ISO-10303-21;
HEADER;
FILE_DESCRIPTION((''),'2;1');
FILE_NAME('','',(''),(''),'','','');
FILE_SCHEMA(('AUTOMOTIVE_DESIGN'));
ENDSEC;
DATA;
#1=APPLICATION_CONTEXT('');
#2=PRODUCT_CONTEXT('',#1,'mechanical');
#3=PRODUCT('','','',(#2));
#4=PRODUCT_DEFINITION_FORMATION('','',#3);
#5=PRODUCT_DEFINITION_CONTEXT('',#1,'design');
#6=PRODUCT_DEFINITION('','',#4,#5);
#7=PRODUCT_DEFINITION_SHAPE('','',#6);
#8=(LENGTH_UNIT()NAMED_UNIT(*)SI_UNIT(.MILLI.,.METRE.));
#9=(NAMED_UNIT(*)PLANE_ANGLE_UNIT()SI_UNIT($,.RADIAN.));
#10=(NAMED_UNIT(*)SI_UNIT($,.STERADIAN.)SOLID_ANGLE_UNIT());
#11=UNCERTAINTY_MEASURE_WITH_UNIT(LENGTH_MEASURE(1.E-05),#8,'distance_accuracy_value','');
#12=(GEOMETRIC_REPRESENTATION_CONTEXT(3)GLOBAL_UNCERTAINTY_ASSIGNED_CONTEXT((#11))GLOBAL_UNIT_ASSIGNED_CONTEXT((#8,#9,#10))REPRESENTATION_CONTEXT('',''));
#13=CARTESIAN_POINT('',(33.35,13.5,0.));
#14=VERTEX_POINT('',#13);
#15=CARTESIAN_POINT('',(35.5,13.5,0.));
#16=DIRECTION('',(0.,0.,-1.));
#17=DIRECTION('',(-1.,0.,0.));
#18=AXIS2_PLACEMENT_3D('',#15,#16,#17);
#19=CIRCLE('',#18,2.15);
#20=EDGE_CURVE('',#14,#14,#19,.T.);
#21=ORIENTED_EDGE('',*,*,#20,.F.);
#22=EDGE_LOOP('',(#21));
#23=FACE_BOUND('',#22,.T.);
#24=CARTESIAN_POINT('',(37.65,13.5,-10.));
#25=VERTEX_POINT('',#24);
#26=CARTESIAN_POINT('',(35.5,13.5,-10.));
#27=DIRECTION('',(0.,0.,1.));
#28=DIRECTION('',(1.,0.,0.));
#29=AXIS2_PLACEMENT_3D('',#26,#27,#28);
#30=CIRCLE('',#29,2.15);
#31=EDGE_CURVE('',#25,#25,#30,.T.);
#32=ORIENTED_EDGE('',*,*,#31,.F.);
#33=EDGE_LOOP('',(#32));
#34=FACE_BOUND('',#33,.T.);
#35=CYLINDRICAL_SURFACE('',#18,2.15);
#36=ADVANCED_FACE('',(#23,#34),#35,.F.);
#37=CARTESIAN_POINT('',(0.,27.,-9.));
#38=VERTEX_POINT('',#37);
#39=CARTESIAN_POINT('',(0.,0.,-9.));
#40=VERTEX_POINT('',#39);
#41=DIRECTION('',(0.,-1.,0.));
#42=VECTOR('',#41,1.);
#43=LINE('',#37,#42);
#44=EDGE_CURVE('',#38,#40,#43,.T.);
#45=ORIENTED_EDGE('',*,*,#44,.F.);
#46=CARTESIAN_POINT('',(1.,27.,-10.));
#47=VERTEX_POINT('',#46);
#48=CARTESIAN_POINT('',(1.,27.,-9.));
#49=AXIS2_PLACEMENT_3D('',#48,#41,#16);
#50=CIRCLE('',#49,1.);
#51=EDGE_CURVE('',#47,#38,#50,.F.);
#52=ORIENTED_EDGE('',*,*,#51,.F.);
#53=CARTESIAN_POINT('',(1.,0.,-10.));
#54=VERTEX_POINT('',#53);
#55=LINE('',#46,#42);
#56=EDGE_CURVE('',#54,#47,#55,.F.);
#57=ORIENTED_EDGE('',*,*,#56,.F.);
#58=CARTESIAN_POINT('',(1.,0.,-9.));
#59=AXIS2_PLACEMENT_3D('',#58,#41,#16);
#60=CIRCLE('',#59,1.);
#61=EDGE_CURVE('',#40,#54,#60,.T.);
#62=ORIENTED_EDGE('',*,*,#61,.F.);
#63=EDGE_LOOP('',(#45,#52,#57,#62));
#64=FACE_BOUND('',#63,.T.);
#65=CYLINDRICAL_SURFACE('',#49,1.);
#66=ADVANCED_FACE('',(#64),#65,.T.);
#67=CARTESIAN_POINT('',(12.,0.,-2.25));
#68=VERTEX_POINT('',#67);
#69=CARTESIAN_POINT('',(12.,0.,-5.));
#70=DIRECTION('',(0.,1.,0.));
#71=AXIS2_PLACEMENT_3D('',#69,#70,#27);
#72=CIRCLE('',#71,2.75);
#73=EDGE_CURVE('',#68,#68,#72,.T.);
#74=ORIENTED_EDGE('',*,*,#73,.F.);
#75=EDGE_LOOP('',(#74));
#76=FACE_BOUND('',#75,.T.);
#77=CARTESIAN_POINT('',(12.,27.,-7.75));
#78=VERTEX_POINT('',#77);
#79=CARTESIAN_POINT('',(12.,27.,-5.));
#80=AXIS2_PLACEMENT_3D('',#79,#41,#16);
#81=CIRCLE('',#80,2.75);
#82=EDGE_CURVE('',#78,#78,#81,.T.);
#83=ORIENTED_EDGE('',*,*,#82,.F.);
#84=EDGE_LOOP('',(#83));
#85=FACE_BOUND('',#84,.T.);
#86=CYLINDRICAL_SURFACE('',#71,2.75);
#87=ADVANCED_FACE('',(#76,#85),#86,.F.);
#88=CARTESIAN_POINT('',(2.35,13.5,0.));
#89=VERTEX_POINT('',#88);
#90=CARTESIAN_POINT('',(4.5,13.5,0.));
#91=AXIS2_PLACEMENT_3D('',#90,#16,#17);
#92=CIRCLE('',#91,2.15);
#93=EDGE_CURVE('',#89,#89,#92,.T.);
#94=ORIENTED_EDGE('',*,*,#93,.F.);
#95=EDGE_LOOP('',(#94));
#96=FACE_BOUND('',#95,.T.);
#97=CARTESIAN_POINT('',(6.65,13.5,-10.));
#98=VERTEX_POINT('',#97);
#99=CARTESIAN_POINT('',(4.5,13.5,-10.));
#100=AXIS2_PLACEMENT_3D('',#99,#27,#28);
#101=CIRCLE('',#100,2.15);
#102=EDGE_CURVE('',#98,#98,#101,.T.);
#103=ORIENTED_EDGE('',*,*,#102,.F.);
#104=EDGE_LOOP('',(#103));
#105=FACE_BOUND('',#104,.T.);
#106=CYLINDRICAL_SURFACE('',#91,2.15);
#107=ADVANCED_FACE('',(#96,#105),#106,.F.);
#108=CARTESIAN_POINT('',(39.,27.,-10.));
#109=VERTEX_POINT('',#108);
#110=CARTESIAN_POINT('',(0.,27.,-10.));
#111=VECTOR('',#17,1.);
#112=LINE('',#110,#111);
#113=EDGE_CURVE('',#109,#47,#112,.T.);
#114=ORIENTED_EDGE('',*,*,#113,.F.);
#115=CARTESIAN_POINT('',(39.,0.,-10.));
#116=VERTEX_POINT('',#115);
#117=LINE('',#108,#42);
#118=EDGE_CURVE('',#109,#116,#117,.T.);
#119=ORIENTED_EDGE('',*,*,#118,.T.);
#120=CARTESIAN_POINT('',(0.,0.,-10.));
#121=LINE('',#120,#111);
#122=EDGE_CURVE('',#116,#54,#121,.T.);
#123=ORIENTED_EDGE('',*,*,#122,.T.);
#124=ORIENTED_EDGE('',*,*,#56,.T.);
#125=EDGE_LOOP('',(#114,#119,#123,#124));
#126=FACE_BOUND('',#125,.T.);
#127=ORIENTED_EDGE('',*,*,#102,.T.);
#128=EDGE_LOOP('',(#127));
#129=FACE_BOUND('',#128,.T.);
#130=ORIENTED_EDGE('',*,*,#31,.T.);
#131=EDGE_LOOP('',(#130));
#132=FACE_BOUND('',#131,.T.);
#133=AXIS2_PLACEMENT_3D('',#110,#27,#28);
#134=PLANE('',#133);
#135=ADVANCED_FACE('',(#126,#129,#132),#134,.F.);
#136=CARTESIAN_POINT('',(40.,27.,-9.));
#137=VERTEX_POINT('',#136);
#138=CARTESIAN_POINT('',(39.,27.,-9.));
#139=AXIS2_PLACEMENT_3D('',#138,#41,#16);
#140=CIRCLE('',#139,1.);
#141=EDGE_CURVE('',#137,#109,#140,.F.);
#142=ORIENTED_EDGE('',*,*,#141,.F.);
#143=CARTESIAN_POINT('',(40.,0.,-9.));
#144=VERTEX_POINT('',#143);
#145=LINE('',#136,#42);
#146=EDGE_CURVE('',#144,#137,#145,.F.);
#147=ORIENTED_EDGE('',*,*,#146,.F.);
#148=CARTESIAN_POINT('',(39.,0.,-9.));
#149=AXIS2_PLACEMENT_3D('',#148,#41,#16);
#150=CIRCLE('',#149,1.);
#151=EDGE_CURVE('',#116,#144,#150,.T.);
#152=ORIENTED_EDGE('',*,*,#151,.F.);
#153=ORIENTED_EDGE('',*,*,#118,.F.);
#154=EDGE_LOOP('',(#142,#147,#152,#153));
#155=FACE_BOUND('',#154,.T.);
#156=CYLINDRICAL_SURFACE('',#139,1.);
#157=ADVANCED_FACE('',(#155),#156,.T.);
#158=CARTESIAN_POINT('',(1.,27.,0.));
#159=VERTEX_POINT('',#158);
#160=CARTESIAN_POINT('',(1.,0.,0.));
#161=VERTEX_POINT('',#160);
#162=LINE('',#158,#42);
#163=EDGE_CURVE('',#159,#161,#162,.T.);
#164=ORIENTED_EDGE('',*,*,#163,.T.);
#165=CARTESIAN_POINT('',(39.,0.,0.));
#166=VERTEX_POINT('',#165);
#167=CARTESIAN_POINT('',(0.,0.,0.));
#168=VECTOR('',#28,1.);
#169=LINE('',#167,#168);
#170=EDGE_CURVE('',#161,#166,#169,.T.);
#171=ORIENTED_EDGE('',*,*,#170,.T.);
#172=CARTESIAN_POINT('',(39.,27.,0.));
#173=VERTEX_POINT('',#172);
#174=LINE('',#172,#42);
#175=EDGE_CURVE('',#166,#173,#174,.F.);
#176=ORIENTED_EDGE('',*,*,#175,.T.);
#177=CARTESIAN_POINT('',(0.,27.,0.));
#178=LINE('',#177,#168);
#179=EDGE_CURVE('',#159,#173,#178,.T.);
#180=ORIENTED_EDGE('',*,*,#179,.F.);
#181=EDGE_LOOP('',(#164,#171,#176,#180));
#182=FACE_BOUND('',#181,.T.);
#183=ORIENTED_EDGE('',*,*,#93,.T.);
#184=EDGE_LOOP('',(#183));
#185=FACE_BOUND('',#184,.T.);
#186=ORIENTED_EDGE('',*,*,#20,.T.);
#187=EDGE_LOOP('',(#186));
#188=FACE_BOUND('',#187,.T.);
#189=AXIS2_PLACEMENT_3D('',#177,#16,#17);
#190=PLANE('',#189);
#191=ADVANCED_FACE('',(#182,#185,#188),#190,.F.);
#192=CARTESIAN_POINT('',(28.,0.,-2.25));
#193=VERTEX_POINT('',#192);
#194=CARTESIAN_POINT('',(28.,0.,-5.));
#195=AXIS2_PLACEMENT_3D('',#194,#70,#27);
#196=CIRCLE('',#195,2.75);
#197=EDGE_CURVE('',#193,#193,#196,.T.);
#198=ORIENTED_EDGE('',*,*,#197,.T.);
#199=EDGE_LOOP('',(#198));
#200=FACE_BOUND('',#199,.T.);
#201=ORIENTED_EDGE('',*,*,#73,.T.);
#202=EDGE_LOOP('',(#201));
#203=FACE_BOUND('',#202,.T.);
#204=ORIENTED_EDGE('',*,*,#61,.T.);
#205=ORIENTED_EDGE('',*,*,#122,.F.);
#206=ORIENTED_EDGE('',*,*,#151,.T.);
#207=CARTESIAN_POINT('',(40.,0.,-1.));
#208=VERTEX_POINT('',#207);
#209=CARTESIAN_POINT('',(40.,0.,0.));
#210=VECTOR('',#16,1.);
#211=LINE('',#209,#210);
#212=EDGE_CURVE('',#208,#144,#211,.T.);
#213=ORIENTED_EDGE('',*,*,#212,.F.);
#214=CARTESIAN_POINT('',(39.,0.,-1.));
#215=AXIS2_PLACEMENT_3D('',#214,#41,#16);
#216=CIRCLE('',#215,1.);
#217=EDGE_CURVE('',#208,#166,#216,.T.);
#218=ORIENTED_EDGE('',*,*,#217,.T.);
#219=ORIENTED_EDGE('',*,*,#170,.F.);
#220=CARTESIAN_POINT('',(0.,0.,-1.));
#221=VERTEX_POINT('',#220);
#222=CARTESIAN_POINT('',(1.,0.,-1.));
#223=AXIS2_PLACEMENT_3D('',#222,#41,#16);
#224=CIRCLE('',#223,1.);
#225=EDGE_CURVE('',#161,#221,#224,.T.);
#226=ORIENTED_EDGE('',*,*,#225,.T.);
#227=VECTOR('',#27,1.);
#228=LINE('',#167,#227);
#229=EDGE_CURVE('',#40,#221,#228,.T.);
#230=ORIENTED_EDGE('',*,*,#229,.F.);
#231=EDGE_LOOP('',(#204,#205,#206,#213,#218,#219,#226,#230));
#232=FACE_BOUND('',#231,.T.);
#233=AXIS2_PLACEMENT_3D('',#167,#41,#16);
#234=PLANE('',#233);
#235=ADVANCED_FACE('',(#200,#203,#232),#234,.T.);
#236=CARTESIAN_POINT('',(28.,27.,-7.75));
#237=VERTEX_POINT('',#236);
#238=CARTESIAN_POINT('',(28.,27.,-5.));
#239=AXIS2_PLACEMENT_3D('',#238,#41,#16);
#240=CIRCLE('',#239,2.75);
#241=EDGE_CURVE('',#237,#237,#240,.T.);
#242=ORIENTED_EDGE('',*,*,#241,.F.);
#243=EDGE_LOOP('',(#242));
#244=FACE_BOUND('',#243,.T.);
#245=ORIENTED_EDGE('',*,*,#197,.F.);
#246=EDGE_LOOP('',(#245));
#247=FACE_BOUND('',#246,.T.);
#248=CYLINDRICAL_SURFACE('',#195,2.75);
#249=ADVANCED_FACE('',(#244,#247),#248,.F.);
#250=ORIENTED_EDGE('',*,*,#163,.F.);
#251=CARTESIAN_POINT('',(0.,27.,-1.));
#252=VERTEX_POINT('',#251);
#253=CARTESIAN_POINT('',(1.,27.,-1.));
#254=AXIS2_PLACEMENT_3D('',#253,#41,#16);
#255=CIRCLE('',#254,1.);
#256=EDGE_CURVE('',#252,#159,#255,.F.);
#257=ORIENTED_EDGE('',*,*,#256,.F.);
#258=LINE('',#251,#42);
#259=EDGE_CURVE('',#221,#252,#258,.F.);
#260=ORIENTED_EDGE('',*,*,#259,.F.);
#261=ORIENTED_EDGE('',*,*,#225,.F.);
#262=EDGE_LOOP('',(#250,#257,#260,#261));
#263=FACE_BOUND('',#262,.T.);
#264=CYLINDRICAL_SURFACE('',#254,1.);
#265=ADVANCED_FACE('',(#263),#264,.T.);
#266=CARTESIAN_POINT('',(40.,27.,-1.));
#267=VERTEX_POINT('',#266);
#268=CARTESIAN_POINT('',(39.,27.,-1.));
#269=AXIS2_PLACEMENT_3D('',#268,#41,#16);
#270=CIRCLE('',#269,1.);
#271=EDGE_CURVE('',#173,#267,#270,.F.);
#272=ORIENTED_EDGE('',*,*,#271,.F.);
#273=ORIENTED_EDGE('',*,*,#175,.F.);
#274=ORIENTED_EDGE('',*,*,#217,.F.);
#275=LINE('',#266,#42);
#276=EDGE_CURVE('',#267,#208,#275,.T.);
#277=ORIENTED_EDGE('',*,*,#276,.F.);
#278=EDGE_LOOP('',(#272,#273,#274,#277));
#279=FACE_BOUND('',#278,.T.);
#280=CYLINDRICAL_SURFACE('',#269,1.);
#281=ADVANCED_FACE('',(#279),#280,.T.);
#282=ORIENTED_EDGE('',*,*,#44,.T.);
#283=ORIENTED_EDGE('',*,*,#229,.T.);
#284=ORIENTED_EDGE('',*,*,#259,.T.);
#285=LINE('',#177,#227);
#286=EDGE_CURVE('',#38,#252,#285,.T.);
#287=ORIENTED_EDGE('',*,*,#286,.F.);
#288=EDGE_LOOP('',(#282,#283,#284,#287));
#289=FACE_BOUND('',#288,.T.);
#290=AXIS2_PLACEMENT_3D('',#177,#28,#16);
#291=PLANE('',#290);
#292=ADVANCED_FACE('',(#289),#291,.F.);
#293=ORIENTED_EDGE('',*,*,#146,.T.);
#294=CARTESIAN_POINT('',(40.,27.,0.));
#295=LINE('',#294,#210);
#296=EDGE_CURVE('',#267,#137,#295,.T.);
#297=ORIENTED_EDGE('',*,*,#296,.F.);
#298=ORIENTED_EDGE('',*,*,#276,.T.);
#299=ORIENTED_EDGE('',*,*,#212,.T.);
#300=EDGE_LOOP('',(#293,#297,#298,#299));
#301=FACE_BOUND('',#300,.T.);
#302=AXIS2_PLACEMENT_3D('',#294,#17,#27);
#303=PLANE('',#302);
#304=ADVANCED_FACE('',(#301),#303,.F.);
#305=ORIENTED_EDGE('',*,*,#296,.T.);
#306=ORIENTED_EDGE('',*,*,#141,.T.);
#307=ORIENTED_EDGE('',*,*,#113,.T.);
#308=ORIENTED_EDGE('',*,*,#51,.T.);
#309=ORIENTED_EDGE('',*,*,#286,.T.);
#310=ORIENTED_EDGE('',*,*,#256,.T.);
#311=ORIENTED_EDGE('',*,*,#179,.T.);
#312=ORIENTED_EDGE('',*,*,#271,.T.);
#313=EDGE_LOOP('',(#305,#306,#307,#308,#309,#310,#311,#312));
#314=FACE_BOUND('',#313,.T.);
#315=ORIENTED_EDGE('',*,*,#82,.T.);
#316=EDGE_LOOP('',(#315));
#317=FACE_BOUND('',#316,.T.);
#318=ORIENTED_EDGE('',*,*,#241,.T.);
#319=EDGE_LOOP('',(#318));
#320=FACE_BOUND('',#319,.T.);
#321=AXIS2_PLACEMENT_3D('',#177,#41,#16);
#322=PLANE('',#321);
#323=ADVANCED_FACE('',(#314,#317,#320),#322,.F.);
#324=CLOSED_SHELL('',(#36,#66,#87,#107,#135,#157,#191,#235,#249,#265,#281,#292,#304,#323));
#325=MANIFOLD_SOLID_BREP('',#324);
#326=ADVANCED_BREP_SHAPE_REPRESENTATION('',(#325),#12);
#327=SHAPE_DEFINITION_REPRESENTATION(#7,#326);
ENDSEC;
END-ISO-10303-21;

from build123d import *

# Parameters (mm, degrees)
SKETCH1_W               = 40
SKETCH1_H               = 10
BOSS_EXTRUDE1_DEPTH     = 27
SKETCH4_R               = 2.15
CUT_EXTRUDE1_DEPTH      = 1
CUT_EXTRUDE1_DEPTH_BACK = 11
FILLET1_R               = 1
SKETCH5_R               = 2.75
CUT_EXTRUDE2_DEPTH      = 1
CUT_EXTRUDE2_DEPTH_BACK = 28


with BuildPart() as part:
    # Sketch1 → Boss-Extrude1 (new body)
    with BuildSketch(Plane(origin=(0, 0, 0), x_dir=(1, 0, 0), z_dir=(0, 1, 0))):
        with Locations((20, 5)):
            Rectangle(SKETCH1_W, SKETCH1_H)
    extrude(amount=BOSS_EXTRUDE1_DEPTH)

    # Sketch4 → Cut-Extrude1 (cut, two sides)
    with BuildSketch(Plane(origin=(0, 0, -10), x_dir=(-1, 0, 0), z_dir=(0, 0, -1))) as cut_extrude1_sk:
        with Locations((-35.5, 13.5)):
            Circle(SKETCH4_R)
        with Locations((-4.5, 13.5)):
            Circle(SKETCH4_R)
    extrude(amount=CUT_EXTRUDE1_DEPTH, mode=Mode.SUBTRACT)
    extrude(cut_extrude1_sk.sketch, amount=-CUT_EXTRUDE1_DEPTH_BACK, mode=Mode.SUBTRACT)

    # Fillet1
    fillet1_edges = [part.edges().sort_by_distance(p)[0] for p in [
        (0, 13.5, -10),
        (40, 13.5, -10),
        (40, 13.5, 0),
        (0, 13.5, 0),
    ]]
    fillet(fillet1_edges, radius=FILLET1_R)

    # Sketch5 → Cut-Extrude2 (cut, two sides)
    with BuildSketch(Plane(origin=(0, 27, 0), x_dir=(1, 0, 0), z_dir=(0, 1, 0))) as cut_extrude2_sk:
        with Locations((12, 5)):
            Circle(SKETCH5_R)
        with Locations((28, 5)):
            Circle(SKETCH5_R)
    extrude(amount=CUT_EXTRUDE2_DEPTH, mode=Mode.SUBTRACT)
    extrude(cut_extrude2_sk.sketch, amount=-CUT_EXTRUDE2_DEPTH_BACK, mode=Mode.SUBTRACT)


solid = part.part
